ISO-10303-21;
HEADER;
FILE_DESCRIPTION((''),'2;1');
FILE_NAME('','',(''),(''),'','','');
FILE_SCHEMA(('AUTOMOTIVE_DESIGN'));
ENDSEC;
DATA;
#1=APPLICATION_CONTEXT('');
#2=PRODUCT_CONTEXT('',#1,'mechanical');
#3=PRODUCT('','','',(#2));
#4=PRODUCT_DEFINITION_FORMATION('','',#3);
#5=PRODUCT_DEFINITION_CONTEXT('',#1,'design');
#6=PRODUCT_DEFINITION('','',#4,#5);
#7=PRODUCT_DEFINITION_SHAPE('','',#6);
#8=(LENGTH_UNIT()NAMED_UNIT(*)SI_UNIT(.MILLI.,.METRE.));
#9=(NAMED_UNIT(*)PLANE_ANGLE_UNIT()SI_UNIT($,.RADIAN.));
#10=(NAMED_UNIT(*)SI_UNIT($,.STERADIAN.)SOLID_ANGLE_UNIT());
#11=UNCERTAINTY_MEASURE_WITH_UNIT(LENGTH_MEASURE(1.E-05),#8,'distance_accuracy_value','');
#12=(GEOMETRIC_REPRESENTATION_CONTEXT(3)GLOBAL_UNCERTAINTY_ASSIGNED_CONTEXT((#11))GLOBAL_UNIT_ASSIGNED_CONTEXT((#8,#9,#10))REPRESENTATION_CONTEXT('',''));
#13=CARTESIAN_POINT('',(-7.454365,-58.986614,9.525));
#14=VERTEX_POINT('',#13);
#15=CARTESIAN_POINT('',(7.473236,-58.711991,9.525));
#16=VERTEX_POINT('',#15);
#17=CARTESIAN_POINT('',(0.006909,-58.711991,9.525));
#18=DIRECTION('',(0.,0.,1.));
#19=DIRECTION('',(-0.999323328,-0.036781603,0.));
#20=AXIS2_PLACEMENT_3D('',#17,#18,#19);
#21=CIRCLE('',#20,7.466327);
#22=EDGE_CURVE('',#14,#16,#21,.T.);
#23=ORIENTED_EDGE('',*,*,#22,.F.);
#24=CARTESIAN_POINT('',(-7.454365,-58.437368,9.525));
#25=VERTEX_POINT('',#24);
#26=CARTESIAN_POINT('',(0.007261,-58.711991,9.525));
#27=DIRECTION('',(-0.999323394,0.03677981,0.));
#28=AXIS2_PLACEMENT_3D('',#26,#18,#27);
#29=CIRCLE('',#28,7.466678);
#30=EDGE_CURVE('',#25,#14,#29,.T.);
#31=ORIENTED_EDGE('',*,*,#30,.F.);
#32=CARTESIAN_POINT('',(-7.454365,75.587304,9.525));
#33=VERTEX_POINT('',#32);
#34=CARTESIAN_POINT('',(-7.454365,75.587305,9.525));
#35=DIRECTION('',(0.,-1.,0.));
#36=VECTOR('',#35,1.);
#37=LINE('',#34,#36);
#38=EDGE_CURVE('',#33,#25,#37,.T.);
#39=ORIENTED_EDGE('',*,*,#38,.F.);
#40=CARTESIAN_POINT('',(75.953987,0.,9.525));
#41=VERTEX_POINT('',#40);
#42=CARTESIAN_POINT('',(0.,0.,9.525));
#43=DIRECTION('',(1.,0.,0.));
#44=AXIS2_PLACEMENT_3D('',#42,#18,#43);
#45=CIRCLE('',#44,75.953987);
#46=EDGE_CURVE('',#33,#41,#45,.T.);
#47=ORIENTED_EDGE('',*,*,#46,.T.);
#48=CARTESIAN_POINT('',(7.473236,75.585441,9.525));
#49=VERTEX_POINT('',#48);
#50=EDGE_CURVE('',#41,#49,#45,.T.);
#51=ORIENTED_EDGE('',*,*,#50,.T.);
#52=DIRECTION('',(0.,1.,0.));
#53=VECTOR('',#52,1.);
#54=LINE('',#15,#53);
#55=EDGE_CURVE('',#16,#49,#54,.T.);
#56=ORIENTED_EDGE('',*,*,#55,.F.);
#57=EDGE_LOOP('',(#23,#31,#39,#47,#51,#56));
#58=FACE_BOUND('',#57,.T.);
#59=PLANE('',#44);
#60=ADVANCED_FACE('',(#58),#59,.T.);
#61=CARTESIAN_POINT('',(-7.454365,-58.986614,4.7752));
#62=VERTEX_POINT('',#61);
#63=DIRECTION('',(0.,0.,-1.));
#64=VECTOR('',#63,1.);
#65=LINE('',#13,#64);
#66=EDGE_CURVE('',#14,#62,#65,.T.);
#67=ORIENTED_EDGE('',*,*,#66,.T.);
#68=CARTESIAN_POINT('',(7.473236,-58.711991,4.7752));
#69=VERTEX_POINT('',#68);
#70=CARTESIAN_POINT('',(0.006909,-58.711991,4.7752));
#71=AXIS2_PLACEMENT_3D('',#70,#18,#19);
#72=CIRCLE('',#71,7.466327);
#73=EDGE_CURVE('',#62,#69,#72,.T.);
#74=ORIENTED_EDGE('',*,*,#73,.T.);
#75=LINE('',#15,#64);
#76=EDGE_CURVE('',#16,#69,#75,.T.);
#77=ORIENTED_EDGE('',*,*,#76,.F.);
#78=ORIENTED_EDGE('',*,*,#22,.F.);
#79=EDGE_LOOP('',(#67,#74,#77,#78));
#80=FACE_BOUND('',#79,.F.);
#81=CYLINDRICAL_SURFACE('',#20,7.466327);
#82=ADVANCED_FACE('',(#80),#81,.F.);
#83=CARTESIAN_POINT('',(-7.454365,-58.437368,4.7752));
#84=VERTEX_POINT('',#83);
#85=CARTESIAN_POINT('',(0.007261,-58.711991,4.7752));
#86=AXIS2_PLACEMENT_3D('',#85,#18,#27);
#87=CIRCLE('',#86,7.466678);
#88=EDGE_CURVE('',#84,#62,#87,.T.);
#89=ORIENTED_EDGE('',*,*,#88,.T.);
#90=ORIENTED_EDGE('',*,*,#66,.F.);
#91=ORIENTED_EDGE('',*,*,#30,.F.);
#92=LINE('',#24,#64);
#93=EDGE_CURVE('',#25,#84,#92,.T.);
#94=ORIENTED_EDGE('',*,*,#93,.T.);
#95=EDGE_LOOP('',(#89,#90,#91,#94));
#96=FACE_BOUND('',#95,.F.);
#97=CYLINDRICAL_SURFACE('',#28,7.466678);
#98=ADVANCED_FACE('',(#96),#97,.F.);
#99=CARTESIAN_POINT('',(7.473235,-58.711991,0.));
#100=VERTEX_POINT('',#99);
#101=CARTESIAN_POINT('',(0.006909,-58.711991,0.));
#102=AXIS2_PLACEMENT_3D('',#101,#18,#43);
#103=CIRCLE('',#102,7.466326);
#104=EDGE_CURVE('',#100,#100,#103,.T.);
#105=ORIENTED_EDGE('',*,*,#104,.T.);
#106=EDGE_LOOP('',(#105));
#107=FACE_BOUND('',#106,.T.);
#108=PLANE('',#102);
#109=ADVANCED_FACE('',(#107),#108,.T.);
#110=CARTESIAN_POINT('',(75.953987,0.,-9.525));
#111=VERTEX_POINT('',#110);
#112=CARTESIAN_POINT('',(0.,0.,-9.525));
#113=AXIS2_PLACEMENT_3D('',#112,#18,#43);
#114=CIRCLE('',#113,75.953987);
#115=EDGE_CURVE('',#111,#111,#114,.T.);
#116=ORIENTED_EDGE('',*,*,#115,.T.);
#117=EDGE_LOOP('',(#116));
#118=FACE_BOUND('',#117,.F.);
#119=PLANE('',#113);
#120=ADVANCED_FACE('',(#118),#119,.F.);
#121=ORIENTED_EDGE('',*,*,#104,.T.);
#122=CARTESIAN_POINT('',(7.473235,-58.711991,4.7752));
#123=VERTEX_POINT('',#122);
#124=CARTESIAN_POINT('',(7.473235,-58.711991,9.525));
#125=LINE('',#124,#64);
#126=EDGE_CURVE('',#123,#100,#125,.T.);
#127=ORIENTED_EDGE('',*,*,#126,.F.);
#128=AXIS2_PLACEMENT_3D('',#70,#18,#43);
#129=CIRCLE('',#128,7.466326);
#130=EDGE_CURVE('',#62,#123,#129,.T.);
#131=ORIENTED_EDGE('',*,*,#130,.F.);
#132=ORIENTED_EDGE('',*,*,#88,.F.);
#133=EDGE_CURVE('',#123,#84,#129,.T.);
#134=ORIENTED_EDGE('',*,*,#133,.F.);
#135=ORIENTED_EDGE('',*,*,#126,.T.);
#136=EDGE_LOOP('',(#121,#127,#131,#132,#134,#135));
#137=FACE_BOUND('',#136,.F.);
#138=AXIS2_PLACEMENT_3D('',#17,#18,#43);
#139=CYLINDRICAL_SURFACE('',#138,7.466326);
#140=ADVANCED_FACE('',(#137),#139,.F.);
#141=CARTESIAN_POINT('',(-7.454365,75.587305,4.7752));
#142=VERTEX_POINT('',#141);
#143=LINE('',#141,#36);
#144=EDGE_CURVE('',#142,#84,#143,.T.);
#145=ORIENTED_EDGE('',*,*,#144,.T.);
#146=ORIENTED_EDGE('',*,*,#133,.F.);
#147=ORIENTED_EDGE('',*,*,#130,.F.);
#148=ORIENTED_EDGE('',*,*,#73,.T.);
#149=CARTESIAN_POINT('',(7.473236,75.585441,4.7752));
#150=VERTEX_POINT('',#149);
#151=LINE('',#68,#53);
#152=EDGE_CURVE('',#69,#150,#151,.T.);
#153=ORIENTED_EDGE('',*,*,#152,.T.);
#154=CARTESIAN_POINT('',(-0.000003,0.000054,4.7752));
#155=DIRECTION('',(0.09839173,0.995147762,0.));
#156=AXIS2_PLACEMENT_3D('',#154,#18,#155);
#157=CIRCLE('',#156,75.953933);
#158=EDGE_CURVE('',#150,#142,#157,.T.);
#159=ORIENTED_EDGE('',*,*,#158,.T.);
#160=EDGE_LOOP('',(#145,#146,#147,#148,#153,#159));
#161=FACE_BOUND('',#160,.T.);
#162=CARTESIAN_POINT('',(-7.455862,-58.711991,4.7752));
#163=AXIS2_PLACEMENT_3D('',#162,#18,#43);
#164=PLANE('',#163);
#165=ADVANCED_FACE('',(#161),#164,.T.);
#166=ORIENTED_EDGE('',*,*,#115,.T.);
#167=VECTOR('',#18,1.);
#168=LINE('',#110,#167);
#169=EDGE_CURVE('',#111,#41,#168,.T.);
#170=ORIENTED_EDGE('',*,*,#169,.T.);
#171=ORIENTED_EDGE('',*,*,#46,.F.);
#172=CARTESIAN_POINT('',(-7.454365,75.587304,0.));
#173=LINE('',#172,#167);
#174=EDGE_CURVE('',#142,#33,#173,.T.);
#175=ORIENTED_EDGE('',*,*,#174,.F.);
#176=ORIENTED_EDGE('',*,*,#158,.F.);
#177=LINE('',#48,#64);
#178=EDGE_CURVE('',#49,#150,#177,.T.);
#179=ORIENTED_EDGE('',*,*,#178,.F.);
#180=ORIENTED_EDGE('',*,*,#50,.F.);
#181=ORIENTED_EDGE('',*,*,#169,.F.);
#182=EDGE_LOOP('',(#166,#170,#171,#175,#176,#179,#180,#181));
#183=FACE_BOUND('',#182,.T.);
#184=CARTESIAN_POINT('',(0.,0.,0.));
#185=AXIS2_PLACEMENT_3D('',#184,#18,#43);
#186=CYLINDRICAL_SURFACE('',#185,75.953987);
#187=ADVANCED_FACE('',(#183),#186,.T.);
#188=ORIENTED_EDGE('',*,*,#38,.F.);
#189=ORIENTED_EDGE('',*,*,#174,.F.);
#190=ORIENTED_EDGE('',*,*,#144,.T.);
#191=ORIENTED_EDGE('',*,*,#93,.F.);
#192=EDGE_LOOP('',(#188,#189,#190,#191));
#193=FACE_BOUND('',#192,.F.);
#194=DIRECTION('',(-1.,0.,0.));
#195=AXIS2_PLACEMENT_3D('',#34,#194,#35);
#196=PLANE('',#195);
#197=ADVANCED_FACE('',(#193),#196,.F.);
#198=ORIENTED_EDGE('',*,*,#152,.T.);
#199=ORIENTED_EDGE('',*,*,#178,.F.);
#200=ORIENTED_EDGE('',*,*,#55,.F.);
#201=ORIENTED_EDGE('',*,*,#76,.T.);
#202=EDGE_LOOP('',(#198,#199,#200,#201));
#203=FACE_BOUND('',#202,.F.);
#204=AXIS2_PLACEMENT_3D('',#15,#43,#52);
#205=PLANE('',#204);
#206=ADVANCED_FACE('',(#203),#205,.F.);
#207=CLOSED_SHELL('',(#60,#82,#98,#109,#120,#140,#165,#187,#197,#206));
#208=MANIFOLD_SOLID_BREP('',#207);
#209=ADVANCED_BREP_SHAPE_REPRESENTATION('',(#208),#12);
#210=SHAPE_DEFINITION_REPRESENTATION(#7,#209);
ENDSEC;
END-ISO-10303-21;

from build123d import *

# Parameters (mm, degrees)
F0_R     = 75.953987
F1_DEPTH = 9.525
F3_DEPTH = 4.7498
F4_R     = 7.466326
F5_DEPTH = 9.525


with BuildPart() as f1:
    # F0 (on Top) → F1 (new body, symmetric)
    with BuildSketch(Plane.XY):
        Circle(F0_R)
    extrude(amount=F1_DEPTH, both=True)

    # F2 (on face) → F3 (cut)
    with BuildSketch(Plane.XY.offset(9.525)):
        with BuildLine():
            Line((-7.454365, -58.986614), (-7.454365, -58.437368))
            ThreePointArc((-7.454365, -58.437368), (-7.459417, -58.711991), (-7.454365, -58.986614))
        make_face()
        with BuildLine():
            Line((-7.454365, 75.587305), (-7.454365, -58.437368))
            Line((-7.454365, -58.437368), (-7.454365, -58.986614))
            ThreePointArc((-7.454365, -58.986614), (0.144244, -66.177054), (7.473236, -58.711991))
            Line((7.473236, -58.711991), (7.473236, 75.585441))
            ThreePointArc((7.473236, 75.585441), (0.009481, 75.953987), (-7.454365, 75.587305))
        make_face()
    extrude(amount=-F3_DEPTH, mode=Mode.SUBTRACT)

    # F4 (on face) → F5 (cut)
    with BuildSketch(Plane.XY.offset(9.525)):
        with Locations((0.006909, -58.711991)):
            Circle(F4_R)
    extrude(amount=-F5_DEPTH, mode=Mode.SUBTRACT)


solid = f1.part
